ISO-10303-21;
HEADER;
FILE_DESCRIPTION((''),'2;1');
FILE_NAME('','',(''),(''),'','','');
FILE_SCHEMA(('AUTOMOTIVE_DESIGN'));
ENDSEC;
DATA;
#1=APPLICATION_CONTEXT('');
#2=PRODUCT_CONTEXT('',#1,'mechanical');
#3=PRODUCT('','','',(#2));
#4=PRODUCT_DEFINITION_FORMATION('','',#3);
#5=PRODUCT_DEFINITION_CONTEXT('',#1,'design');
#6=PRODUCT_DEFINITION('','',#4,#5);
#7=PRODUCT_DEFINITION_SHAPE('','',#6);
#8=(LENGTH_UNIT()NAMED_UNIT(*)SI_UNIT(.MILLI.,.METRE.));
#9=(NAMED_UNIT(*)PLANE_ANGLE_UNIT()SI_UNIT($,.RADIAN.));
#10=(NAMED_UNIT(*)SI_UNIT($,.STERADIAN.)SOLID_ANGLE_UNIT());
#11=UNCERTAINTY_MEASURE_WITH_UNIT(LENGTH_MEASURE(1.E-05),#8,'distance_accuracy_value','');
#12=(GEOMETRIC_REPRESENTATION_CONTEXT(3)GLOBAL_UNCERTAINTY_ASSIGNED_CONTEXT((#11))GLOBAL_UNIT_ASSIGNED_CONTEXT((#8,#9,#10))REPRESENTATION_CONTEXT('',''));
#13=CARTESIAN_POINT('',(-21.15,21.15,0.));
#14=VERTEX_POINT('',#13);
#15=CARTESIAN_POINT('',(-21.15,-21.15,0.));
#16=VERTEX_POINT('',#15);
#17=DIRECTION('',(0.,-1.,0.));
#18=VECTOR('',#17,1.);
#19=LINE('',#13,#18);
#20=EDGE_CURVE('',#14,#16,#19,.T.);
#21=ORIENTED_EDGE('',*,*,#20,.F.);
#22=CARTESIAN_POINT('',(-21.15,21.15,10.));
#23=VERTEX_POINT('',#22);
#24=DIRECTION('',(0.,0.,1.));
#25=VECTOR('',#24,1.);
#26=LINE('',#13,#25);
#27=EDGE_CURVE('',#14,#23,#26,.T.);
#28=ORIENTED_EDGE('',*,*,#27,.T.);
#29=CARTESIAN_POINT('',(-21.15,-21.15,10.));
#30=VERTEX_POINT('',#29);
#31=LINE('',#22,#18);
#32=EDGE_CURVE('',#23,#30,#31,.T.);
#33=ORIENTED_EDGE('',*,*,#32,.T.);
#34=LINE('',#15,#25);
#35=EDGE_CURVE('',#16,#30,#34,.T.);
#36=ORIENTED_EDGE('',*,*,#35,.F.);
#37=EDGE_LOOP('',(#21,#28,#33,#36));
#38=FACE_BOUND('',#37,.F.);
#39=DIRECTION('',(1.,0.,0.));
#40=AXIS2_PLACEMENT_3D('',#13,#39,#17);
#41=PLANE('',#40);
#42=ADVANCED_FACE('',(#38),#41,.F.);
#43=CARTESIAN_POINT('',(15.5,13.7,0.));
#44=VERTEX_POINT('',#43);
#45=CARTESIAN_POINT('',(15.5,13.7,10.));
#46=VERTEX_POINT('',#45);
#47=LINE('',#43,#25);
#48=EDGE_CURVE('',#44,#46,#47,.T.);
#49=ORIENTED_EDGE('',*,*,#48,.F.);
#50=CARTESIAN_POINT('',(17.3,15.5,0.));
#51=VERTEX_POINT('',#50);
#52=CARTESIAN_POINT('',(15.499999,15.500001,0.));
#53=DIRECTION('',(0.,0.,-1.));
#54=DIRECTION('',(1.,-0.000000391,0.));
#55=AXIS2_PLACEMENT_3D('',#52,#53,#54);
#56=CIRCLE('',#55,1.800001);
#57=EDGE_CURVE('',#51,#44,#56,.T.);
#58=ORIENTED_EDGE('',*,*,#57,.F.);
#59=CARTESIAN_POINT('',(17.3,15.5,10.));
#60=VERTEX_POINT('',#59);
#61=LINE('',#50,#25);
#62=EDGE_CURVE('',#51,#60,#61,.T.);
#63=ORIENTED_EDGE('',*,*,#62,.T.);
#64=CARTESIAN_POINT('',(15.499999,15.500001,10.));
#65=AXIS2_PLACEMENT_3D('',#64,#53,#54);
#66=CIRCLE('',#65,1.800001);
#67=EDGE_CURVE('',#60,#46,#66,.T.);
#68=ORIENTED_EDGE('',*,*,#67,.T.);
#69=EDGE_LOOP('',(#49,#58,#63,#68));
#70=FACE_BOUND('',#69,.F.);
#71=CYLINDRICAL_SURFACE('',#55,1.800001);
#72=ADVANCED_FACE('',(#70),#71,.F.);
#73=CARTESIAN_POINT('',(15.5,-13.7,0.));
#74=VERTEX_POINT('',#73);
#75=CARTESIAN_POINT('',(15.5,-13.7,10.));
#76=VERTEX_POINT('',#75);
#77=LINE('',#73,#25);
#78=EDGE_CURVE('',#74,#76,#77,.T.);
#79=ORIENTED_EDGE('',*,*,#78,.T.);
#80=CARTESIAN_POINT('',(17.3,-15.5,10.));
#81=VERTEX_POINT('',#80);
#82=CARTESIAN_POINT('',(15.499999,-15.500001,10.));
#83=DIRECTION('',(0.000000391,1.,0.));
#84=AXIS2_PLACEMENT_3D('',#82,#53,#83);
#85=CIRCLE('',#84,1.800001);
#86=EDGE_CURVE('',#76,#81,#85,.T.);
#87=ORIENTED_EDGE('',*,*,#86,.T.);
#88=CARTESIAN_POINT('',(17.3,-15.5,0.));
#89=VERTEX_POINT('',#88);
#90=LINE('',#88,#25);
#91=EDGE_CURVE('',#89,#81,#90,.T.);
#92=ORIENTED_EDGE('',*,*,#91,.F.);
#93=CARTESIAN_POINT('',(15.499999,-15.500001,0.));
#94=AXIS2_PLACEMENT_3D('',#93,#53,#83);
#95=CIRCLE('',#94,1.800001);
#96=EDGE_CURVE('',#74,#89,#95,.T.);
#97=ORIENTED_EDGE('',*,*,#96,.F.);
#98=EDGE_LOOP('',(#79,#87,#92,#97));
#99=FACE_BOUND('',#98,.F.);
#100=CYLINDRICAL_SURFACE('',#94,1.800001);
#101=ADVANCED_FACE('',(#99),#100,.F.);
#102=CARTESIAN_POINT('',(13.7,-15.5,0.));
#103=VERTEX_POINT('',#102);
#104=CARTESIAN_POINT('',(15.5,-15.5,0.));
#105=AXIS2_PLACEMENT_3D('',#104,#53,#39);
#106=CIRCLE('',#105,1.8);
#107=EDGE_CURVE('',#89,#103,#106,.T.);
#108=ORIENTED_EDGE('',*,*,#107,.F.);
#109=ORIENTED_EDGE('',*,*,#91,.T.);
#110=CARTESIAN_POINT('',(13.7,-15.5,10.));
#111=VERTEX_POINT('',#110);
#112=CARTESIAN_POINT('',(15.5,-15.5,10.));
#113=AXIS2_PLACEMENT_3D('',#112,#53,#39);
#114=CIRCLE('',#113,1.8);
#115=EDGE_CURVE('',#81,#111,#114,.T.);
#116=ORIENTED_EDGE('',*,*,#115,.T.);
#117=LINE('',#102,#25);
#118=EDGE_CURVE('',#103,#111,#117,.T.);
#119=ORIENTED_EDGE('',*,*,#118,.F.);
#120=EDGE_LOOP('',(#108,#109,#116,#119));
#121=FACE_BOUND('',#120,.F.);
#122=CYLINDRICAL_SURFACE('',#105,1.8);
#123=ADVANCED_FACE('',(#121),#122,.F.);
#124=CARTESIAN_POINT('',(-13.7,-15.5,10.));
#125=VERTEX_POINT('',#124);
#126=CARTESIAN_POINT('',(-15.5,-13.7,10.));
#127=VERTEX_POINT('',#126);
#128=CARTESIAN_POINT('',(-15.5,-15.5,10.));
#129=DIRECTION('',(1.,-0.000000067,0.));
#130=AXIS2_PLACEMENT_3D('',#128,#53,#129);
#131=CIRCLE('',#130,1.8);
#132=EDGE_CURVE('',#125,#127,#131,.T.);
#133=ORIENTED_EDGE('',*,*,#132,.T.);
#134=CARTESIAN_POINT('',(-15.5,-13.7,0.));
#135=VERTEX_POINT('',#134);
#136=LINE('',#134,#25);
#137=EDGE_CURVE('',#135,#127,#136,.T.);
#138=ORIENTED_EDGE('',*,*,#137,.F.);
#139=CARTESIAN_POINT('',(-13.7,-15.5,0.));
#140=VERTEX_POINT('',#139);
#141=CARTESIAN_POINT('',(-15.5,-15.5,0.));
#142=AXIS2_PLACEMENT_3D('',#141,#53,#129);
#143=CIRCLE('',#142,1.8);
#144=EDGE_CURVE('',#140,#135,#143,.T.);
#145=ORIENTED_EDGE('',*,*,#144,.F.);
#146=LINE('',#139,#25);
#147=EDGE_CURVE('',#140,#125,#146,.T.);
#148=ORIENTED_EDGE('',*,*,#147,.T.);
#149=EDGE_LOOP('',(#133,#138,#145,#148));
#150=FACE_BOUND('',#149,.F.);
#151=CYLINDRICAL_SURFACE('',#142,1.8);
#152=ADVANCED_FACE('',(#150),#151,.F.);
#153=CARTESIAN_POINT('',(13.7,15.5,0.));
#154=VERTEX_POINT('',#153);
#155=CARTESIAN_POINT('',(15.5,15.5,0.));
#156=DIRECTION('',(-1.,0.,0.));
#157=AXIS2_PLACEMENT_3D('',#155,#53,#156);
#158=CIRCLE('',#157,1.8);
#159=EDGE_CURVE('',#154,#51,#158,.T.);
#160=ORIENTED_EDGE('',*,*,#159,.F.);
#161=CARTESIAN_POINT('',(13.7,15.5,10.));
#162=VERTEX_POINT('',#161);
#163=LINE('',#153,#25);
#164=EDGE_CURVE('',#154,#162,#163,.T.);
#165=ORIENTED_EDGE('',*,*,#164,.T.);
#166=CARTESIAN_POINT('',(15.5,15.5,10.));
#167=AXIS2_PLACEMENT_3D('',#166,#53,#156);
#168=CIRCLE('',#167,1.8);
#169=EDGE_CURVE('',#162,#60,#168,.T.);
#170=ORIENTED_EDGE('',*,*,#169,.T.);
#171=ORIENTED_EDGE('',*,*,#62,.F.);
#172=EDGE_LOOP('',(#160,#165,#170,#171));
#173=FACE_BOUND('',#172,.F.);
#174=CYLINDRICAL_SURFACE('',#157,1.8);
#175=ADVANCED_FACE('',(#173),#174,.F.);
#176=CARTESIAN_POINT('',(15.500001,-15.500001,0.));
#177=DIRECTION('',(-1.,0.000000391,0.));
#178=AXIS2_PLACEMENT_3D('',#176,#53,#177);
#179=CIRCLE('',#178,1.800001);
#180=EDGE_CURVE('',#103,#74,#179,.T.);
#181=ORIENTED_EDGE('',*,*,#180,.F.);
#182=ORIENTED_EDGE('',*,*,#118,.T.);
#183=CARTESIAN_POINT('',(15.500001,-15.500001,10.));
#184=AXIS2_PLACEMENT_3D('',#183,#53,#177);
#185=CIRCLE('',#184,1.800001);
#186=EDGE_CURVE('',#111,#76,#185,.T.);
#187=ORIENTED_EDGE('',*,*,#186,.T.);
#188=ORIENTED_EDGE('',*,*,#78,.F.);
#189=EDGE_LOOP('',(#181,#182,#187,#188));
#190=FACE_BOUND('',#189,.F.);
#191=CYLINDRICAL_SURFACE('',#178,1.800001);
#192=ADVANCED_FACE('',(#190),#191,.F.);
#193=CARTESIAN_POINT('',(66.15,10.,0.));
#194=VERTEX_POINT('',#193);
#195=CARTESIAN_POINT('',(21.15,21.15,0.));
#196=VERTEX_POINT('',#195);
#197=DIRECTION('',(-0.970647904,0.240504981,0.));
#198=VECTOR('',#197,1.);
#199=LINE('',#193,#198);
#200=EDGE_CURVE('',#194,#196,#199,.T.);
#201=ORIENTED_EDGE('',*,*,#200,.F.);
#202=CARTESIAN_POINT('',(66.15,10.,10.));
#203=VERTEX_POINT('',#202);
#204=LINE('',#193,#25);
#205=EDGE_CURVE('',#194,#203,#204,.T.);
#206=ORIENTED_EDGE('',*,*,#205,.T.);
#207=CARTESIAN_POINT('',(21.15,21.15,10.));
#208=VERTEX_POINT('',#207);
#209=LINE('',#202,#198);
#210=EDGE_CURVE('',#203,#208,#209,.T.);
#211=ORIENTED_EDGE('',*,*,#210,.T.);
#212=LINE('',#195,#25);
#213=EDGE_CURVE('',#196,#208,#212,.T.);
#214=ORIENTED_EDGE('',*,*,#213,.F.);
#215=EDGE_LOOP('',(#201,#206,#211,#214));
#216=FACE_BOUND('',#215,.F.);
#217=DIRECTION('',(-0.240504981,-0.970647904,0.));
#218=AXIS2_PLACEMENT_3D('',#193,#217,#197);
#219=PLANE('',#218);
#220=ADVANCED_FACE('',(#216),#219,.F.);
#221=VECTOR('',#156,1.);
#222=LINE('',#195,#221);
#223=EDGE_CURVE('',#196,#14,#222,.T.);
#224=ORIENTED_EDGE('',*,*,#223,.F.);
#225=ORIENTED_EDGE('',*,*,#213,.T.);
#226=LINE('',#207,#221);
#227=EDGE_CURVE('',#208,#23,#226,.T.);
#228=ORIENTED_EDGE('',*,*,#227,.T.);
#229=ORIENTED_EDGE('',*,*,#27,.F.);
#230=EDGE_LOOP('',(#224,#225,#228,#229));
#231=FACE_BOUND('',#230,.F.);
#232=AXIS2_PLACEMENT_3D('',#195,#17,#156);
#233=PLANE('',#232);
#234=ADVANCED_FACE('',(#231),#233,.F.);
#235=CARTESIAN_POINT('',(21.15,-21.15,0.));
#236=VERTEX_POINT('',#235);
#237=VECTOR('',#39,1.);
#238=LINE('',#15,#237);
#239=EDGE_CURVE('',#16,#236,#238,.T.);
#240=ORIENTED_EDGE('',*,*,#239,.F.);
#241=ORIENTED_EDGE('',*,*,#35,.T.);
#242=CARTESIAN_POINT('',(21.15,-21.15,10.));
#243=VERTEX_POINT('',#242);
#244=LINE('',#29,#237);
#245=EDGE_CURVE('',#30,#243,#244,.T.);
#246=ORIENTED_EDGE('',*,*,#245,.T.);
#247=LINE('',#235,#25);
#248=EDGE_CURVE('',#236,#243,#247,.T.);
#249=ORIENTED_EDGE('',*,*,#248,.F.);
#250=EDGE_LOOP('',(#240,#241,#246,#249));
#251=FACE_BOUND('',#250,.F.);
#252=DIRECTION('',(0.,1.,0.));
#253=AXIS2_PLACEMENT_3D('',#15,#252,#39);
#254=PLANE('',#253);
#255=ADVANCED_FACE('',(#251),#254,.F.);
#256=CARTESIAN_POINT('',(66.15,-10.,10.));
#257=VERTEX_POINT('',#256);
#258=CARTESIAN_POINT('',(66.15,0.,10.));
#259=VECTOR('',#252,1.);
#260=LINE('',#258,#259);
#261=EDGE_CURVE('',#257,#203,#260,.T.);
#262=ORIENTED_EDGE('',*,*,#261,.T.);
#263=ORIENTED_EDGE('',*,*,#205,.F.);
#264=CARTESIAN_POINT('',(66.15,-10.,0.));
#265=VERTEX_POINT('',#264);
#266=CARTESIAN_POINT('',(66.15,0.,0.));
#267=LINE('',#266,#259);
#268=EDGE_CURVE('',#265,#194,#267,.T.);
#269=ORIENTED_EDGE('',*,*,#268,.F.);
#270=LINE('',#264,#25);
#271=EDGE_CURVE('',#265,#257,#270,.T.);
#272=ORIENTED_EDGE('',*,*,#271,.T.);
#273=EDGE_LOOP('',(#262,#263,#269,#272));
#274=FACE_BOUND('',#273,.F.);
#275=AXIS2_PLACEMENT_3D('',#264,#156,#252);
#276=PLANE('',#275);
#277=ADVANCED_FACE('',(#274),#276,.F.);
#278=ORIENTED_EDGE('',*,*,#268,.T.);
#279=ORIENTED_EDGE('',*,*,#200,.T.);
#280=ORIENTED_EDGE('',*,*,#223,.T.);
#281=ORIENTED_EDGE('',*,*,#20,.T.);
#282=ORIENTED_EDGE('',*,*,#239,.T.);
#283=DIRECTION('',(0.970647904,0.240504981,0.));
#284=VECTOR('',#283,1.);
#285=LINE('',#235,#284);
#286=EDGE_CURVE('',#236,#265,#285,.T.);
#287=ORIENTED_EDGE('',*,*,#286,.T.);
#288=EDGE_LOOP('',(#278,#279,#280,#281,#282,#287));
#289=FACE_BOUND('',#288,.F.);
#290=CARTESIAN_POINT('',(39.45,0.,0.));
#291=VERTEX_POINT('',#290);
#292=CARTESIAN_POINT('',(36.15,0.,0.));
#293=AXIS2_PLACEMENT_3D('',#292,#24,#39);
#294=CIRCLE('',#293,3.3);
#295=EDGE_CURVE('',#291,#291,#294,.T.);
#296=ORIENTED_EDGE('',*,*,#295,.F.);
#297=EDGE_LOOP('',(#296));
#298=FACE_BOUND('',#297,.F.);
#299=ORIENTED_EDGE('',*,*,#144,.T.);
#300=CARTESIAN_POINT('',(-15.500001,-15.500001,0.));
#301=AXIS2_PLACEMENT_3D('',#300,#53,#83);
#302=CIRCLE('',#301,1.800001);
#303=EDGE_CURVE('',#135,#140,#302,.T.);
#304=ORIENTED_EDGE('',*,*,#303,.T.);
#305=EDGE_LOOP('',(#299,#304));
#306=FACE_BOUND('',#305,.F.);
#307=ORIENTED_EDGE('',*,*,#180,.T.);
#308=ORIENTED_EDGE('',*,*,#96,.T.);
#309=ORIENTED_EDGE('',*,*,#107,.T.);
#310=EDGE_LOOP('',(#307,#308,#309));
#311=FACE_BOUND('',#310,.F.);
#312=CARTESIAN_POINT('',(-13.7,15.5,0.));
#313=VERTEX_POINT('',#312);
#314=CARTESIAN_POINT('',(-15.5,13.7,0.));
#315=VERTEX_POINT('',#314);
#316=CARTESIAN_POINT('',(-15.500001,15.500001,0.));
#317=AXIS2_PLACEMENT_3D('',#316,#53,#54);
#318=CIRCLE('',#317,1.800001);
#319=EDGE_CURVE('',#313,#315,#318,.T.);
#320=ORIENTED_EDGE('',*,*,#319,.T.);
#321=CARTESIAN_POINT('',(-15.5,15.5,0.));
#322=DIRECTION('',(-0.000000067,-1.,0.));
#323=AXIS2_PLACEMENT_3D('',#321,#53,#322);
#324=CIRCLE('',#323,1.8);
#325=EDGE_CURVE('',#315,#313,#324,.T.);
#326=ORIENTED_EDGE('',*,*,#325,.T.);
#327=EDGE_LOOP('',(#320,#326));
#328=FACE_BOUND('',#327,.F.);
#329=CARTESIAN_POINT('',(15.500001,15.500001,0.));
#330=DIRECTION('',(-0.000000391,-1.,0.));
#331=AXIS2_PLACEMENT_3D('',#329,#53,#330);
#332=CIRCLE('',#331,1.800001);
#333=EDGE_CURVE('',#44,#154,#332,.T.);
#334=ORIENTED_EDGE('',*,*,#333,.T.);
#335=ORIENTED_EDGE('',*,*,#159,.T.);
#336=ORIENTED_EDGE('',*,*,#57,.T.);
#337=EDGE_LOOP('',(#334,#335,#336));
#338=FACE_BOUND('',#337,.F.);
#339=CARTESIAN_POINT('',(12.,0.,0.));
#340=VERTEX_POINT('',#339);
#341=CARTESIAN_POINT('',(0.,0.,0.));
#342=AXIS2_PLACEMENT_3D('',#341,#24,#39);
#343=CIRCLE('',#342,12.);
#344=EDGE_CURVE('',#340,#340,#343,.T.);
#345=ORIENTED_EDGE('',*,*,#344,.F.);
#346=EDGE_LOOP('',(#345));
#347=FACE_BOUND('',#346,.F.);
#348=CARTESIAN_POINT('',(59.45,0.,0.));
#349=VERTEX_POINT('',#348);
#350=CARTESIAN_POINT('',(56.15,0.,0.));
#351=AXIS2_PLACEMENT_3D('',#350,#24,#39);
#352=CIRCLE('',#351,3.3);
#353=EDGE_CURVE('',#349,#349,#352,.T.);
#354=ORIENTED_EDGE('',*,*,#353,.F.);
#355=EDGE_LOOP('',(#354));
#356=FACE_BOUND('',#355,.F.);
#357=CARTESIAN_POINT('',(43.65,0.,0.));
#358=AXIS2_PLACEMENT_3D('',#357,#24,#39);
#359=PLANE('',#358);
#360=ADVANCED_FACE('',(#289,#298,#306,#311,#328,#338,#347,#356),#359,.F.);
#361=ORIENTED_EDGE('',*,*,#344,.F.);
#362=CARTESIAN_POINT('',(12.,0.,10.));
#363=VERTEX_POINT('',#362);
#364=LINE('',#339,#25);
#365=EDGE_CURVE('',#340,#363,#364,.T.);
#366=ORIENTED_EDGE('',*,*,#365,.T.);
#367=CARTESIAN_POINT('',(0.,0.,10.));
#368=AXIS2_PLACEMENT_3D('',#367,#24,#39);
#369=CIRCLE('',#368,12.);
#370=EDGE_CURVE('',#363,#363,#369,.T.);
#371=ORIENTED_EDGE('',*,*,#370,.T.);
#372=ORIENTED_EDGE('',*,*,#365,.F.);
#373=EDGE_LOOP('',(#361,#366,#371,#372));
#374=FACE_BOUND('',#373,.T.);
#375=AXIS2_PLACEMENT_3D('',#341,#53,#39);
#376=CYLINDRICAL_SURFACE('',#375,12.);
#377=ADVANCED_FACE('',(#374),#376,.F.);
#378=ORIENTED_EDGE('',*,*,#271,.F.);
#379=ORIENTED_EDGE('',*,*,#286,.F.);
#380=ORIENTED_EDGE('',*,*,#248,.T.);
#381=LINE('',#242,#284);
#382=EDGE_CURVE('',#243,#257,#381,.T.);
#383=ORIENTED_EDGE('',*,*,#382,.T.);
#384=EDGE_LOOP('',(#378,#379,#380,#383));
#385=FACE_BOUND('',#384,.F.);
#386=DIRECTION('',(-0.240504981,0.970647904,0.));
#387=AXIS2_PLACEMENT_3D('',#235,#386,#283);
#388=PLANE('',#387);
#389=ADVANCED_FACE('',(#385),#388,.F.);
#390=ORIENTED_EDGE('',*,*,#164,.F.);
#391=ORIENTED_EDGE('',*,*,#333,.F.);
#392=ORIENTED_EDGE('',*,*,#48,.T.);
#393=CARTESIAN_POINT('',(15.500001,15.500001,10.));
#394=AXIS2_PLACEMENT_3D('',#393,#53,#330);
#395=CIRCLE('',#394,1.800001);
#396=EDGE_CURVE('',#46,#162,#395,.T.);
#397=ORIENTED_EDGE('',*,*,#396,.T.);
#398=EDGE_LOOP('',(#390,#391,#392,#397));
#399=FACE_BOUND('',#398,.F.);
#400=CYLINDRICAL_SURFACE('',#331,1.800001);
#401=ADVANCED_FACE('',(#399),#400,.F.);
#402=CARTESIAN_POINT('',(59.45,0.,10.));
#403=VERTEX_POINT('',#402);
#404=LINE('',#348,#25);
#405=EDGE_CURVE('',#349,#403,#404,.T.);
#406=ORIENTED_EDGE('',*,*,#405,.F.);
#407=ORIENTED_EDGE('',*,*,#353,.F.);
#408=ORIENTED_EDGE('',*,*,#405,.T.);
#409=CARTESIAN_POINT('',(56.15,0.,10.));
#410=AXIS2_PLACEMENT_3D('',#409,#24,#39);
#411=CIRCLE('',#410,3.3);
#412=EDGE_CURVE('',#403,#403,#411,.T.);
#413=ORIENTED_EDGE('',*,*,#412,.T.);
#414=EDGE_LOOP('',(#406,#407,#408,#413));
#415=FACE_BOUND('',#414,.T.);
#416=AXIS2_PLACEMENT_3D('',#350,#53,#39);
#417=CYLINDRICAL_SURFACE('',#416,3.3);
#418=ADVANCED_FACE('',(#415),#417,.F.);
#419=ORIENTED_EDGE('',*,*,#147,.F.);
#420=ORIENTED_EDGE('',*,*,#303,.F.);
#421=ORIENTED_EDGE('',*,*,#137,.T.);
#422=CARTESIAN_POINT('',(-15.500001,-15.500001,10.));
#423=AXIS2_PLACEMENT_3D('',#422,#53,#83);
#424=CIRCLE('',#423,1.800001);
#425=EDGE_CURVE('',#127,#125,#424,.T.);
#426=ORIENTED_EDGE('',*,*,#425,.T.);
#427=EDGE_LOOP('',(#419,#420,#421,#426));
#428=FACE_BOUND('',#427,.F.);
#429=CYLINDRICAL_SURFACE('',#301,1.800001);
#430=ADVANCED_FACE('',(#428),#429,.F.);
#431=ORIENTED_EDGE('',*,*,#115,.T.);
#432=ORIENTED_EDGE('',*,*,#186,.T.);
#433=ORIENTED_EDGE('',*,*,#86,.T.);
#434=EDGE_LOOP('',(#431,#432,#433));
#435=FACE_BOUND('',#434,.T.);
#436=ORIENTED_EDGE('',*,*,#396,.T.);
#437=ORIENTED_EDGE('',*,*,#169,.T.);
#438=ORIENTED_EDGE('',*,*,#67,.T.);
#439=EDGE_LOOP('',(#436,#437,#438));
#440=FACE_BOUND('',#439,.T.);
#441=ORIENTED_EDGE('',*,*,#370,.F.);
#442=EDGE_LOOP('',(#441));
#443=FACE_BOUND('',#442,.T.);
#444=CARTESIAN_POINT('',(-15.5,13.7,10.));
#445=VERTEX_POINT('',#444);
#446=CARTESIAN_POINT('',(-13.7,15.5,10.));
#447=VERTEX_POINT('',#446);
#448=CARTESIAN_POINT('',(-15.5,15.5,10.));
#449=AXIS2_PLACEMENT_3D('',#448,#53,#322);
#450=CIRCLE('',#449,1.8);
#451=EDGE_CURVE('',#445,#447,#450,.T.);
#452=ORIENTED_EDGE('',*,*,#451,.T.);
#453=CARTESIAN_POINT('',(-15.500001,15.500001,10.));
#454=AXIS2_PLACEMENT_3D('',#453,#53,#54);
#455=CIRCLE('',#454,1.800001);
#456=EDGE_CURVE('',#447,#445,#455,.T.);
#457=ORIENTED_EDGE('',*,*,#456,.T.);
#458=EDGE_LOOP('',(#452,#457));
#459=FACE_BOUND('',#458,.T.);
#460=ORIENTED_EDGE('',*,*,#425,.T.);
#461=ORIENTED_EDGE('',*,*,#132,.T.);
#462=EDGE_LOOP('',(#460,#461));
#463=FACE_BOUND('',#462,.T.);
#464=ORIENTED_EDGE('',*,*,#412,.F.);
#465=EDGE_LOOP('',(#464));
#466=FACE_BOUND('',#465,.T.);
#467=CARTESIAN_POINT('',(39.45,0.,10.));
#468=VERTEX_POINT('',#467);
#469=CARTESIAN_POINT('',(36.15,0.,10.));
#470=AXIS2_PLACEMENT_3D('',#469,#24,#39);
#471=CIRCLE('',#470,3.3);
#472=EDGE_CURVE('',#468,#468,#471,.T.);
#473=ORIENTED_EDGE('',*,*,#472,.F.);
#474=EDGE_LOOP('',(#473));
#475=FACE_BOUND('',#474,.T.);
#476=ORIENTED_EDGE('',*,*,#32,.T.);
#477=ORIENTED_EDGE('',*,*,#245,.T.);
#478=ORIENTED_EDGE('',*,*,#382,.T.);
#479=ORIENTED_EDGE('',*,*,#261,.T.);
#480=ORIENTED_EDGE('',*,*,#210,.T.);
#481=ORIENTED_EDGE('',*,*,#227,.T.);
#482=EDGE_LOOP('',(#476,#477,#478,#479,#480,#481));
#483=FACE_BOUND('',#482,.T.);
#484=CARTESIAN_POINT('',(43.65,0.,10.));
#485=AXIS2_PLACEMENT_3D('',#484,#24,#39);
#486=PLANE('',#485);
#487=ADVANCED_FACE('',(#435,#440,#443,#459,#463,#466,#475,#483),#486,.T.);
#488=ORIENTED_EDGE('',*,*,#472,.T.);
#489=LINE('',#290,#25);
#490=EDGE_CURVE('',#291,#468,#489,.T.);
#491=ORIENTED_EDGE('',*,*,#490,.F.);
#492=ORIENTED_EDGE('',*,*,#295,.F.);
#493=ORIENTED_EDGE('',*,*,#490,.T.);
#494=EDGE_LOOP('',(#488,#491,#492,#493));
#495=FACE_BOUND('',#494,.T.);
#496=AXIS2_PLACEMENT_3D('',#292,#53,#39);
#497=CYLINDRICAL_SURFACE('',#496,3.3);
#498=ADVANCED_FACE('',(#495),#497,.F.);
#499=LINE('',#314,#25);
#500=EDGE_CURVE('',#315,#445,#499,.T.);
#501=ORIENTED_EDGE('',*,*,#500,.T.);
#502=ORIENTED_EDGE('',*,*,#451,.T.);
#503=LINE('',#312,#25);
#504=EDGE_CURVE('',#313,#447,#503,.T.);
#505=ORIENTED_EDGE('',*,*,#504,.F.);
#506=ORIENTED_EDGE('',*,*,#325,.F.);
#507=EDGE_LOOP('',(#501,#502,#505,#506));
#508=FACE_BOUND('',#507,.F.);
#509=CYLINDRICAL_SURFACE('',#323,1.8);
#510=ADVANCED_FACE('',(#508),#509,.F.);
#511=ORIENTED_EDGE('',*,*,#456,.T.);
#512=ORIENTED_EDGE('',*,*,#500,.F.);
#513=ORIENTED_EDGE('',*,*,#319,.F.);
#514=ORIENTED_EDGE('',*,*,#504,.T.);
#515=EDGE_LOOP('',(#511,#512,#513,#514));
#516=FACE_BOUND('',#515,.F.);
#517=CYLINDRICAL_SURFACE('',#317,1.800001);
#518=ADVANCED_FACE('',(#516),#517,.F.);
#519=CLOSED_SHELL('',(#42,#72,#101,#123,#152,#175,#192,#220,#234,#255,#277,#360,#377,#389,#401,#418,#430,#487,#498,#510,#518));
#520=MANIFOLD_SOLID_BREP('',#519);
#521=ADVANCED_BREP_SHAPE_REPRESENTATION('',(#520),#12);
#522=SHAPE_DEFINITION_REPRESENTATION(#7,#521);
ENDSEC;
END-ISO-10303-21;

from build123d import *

# Parameters (mm, degrees)
F0_W     = 45
F0_H     = 20
F0_R     = 3.3
F0_R_2   = 12
F1_DEPTH = 10


with BuildPart() as f1:
    # F0 (on Top) → F1 (new body)
    with BuildSketch(Plane.XY):
        with Locations((43.65, 0)):
            Rectangle(F0_W, F0_H)
        with Locations((36.15, 0)):
            Circle(F0_R, mode=Mode.SUBTRACT)
        with Locations((56.15, 0)):
            Circle(F0_R, mode=Mode.SUBTRACT)
        Polygon((66.15, 10), (21.15, 21.15), (21.15, 10), align=None)
        Polygon((66.15, -10), (21.15, -10), (21.15, -21.15), align=None)
        Polygon((21.15, 10), (21.15, 21.15), (-21.15, 21.15), (-21.15, -21.15), (21.15, -21.15), (21.15, -10), align=None)
        with BuildLine():
            ThreePointArc((-15.5, 13.7), (-16.772792, 16.772792), (-13.7, 15.5))
            Line((-13.7, 15.5), (13.7, 15.5))
            ThreePointArc((13.7, 15.5), (15.5, 17.3), (17.3, 15.5))
            ThreePointArc((17.3, 15.5), (16.772792, 14.227208), (15.5, 13.7))
            Line((15.5, 13.7), (15.5, -13.7))
            ThreePointArc((15.5, -13.7), (16.772792, -14.227208), (17.3, -15.5))
            ThreePointArc((17.3, -15.5), (15.5, -17.3), (13.7, -15.5))
            Line((13.7, -15.5), (-13.7, -15.5))
            ThreePointArc((-13.7, -15.5), (-16.772792, -16.772792), (-15.5, -13.7))
            Line((-15.5, -13.7), (-15.5, 13.7))
        make_face(mode=Mode.SUBTRACT)
        with BuildLine():
            Line((13.7, 15.5), (-13.7, 15.5))
            ThreePointArc((-13.7, 15.5), (-14.227208, 14.227208), (-15.5, 13.7))
            Line((-15.5, 13.7), (-15.5, -13.7))
            ThreePointArc((-15.5, -13.7), (-14.227208, -14.227208), (-13.7, -15.5))
            Line((-13.7, -15.5), (13.7, -15.5))
            ThreePointArc((13.7, -15.5), (14.227208, -14.227208), (15.5, -13.7))
            Line((15.5, -13.7), (15.5, 13.7))
            ThreePointArc((15.5, 13.7), (14.227208, 14.227208), (13.7, 15.5))
        make_face()
        Circle(F0_R_2, mode=Mode.SUBTRACT)
    extrude(amount=F1_DEPTH)


solid = f1.part
